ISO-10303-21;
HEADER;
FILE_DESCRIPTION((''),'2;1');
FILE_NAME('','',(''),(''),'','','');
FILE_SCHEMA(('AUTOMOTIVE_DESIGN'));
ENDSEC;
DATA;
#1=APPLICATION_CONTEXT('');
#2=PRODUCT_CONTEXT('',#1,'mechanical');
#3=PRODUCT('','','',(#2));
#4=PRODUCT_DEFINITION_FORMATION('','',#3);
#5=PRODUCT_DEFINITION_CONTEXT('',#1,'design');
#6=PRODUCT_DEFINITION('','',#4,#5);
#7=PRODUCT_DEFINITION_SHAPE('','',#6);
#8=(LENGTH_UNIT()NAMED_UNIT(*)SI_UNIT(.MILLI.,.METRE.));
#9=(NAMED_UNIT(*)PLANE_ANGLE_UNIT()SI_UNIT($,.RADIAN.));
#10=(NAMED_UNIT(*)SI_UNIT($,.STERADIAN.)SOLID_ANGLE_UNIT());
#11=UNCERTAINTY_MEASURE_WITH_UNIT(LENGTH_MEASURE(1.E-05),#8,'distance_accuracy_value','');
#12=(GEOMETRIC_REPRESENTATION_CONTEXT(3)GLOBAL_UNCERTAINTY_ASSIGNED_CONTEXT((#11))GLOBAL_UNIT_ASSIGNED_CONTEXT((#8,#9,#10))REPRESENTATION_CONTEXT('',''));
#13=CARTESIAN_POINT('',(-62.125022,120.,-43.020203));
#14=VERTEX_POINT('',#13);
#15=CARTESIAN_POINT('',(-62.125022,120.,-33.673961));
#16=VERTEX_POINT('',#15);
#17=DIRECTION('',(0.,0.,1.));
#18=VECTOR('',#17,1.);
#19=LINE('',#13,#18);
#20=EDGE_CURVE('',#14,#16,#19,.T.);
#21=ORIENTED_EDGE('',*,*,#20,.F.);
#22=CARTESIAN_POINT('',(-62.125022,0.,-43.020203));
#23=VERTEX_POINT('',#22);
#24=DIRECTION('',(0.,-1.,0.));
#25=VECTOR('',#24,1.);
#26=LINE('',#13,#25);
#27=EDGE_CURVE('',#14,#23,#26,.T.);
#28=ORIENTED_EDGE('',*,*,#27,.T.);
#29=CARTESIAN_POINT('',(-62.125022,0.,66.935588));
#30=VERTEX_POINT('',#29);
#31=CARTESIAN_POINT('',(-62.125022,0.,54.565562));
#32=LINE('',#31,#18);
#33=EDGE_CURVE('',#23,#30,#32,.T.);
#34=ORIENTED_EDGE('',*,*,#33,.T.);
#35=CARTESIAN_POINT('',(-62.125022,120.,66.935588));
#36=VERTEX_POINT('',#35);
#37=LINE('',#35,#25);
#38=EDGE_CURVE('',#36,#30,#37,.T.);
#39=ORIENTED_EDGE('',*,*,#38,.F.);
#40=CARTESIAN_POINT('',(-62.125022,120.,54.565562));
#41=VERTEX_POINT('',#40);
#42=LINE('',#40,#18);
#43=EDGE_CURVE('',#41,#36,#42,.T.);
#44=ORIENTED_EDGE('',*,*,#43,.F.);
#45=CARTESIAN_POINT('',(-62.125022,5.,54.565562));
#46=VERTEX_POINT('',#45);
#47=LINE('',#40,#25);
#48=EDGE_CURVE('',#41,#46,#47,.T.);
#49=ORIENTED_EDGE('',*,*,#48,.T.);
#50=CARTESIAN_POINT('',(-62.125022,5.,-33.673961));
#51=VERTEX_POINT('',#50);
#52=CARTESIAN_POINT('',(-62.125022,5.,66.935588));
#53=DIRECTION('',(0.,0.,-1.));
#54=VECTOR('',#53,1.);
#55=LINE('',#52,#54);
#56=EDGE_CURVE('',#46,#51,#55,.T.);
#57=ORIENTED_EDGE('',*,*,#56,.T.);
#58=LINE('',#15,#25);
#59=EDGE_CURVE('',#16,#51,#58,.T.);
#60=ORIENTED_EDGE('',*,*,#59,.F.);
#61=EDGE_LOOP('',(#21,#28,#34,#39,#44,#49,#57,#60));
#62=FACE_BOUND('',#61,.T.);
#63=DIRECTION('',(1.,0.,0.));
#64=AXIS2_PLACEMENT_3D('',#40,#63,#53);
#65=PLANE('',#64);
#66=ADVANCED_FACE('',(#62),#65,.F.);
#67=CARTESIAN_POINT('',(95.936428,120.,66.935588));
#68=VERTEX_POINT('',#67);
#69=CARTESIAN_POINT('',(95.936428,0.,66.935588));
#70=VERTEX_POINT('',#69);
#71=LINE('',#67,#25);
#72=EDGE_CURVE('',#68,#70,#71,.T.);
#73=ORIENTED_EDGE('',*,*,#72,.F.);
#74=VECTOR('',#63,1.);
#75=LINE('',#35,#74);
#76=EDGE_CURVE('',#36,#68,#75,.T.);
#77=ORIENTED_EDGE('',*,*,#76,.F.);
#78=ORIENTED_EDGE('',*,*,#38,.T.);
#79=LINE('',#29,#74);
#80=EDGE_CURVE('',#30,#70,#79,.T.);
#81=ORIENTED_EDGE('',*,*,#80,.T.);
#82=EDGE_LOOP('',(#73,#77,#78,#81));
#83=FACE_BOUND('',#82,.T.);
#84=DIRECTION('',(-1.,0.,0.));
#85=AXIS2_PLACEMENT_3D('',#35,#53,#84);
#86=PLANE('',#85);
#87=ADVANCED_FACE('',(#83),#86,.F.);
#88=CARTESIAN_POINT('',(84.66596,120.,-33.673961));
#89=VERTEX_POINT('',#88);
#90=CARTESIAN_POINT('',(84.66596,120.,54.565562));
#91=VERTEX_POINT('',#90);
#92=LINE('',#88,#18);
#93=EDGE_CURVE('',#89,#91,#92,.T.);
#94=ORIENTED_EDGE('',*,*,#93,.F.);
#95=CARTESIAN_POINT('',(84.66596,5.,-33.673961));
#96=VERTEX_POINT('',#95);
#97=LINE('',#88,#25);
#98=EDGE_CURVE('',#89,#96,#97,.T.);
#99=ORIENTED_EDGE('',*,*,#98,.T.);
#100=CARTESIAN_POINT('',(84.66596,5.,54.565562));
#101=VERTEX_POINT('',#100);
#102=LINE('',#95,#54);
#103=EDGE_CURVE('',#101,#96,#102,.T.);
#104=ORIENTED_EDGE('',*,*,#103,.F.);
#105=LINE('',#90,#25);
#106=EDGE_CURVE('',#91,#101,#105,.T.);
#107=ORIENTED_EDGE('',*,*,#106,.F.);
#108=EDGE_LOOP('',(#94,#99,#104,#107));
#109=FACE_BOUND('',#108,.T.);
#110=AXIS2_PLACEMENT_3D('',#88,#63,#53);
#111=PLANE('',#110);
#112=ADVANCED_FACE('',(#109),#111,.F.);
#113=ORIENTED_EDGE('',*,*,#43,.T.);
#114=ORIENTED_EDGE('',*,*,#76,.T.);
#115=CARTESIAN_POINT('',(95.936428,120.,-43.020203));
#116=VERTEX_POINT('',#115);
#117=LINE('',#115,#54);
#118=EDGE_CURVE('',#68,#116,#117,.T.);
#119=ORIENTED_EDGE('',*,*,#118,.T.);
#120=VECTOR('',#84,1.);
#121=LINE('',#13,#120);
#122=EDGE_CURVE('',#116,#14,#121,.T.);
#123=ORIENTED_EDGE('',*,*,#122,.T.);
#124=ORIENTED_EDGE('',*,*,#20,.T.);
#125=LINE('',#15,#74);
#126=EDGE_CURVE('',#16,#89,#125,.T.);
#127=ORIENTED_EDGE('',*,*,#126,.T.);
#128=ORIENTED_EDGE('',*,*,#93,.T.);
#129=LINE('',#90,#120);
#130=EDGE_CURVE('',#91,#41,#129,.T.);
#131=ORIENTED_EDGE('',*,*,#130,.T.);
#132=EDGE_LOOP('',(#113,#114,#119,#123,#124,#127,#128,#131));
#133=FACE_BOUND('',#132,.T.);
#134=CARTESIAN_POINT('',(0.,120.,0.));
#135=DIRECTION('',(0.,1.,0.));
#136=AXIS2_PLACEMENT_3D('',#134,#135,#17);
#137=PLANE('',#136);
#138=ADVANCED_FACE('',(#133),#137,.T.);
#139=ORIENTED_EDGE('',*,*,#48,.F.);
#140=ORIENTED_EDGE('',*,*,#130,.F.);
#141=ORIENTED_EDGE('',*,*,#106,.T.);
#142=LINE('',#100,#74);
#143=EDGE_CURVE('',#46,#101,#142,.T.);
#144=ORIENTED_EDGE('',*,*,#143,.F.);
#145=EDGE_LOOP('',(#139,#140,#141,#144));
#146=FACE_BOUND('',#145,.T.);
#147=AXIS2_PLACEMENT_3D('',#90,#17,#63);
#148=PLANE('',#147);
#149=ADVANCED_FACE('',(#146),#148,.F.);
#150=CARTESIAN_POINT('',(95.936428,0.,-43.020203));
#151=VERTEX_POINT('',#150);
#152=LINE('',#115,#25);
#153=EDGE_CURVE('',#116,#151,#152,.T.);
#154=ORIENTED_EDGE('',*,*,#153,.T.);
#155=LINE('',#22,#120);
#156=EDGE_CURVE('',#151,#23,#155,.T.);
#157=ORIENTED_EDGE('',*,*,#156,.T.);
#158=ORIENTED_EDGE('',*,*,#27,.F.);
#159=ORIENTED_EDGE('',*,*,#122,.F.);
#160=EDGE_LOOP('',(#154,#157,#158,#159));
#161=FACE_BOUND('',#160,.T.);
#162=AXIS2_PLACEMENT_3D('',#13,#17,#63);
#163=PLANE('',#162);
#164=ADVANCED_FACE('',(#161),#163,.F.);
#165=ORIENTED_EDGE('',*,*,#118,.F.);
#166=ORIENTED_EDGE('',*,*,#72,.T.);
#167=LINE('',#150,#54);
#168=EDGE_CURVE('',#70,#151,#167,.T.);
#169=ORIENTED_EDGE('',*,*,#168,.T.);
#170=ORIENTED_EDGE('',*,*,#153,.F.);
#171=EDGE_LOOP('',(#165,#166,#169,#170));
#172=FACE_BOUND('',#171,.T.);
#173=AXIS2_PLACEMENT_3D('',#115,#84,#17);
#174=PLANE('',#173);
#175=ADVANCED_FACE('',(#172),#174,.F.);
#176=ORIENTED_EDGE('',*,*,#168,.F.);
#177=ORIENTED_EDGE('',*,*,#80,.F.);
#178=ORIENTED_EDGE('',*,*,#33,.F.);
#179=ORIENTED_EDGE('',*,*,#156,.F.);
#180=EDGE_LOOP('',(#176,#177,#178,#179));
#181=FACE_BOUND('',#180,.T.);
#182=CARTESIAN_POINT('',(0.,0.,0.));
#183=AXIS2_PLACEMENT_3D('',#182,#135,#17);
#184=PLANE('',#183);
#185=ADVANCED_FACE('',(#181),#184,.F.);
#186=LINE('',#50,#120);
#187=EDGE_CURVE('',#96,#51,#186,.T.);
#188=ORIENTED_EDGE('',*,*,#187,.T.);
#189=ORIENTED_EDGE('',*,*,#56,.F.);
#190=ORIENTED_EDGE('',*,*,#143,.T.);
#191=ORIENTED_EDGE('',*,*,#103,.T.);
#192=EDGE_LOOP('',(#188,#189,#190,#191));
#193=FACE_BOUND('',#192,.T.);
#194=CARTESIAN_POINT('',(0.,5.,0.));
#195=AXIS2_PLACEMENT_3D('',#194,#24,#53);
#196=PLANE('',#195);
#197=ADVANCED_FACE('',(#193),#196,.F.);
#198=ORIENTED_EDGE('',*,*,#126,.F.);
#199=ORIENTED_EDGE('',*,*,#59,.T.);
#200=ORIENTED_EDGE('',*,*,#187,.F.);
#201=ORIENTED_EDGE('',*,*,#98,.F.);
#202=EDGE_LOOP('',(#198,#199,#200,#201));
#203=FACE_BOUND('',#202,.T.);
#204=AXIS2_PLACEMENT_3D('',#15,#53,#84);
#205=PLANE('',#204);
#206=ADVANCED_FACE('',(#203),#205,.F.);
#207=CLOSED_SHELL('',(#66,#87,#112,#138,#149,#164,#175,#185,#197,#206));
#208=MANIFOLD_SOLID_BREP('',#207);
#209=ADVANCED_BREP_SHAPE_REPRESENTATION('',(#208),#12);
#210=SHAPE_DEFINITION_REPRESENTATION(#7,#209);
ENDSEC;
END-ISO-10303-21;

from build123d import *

# Parameters (mm, degrees)
BOSS_EXTRUDE1_DEPTH = 120
SKETCH2_W           = 158.061450485
SKETCH2_H           = 109.955791642
BOSS_EXTRUDE2_DEPTH = 5


with BuildPart() as part:
    # Sketch1 → Boss-Extrude1 (new body)
    with BuildSketch(Plane(origin=(0, 0, 0), x_dir=(1, 0, 0), z_dir=(0, 1, 0))):
        Polygon((-62.125022278, 33.67396119), (84.665959564, 33.67396119), (84.665959564, -54.565561602), (-62.125022278, -54.565561602), (-62.125022278, -66.935588162), (95.936428207, -66.935588162), (95.936428207, 43.02020348), (-62.125022278, 43.02020348), align=None)
    extrude(amount=BOSS_EXTRUDE1_DEPTH)

    # Sketch2 → Boss-Extrude2 (add)
    with BuildSketch(Plane.XZ):
        with Locations((16.905702965, 11.957692341)):
            Rectangle(SKETCH2_W, SKETCH2_H)
    extrude(amount=-BOSS_EXTRUDE2_DEPTH)


solid = part.part
